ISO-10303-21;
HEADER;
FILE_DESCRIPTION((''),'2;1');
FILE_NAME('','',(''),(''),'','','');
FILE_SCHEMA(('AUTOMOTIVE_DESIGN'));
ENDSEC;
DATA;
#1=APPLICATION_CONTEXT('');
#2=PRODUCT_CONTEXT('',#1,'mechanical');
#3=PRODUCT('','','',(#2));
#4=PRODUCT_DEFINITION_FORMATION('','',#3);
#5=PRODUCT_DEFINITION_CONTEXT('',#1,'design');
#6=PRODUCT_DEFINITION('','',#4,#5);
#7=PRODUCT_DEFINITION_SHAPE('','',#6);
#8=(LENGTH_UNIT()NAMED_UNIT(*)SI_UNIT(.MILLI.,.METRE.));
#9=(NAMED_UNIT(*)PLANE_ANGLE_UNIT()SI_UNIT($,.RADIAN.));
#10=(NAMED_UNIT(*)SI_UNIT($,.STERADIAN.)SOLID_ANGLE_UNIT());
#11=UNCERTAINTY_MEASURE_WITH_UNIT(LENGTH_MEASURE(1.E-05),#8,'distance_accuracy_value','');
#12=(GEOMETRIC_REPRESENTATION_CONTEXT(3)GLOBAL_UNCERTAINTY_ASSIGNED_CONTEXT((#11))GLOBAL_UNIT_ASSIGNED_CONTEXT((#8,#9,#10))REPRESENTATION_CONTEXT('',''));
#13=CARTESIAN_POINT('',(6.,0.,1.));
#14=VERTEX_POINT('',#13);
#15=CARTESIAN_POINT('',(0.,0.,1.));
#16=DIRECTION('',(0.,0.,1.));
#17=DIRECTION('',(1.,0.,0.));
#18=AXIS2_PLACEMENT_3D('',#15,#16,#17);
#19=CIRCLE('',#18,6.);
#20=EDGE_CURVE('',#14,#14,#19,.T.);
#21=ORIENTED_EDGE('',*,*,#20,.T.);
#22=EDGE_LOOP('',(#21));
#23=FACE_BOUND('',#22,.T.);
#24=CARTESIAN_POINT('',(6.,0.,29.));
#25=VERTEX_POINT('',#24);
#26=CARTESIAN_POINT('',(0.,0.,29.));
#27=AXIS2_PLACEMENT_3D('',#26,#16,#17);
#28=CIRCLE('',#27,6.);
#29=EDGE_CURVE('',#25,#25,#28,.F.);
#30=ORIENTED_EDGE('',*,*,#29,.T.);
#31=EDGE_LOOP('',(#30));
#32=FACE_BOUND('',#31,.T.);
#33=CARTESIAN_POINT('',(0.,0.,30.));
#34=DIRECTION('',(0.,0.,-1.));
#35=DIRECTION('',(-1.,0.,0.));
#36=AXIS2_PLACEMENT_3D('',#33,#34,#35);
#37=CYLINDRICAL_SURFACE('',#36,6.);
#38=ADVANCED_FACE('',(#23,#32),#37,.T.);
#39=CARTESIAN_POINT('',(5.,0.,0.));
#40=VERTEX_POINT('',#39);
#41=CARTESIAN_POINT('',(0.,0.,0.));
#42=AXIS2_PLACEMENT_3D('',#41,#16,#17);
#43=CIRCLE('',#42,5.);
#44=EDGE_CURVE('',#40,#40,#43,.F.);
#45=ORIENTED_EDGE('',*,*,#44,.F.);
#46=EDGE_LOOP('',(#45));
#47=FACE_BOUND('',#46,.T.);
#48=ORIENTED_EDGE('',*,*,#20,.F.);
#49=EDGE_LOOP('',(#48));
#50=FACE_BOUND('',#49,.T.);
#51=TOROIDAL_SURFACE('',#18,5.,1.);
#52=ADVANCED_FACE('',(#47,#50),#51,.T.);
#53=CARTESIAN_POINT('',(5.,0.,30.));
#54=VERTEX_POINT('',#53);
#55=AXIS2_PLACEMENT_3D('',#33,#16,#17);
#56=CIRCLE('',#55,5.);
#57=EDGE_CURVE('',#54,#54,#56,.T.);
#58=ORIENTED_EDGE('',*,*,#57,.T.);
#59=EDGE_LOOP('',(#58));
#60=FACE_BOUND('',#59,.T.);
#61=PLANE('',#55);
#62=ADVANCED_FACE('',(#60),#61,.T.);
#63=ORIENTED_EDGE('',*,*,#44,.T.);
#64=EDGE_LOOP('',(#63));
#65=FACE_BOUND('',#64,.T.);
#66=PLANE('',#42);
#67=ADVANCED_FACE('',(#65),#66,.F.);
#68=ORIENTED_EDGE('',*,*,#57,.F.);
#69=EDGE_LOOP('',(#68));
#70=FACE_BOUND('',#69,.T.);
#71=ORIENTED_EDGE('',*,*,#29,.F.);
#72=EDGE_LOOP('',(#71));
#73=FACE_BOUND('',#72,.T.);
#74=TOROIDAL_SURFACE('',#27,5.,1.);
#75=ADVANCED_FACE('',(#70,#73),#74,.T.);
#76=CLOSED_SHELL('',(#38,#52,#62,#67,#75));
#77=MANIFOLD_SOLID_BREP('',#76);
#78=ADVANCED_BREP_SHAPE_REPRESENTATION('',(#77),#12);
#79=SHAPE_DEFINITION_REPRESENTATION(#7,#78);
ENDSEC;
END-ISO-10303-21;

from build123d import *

# Parameters (mm, degrees)
ESQUISSE1_R        = 6
BOSS_EXTRU_1_DEPTH = 30
CONG_1_R           = 1


with BuildPart() as part:
    # Esquisse1 → Boss.-Extru.1 (new body)
    with BuildSketch(Plane.XY):
        Circle(ESQUISSE1_R)
    extrude(amount=BOSS_EXTRU_1_DEPTH)

    # Congé1
    cong_1_edges = [part.edges().sort_by_distance(p)[0] for p in [
        (-6, 0, 0),
        (-6, 0, 30),
    ]]
    fillet(cong_1_edges, radius=CONG_1_R)


solid = part.part
